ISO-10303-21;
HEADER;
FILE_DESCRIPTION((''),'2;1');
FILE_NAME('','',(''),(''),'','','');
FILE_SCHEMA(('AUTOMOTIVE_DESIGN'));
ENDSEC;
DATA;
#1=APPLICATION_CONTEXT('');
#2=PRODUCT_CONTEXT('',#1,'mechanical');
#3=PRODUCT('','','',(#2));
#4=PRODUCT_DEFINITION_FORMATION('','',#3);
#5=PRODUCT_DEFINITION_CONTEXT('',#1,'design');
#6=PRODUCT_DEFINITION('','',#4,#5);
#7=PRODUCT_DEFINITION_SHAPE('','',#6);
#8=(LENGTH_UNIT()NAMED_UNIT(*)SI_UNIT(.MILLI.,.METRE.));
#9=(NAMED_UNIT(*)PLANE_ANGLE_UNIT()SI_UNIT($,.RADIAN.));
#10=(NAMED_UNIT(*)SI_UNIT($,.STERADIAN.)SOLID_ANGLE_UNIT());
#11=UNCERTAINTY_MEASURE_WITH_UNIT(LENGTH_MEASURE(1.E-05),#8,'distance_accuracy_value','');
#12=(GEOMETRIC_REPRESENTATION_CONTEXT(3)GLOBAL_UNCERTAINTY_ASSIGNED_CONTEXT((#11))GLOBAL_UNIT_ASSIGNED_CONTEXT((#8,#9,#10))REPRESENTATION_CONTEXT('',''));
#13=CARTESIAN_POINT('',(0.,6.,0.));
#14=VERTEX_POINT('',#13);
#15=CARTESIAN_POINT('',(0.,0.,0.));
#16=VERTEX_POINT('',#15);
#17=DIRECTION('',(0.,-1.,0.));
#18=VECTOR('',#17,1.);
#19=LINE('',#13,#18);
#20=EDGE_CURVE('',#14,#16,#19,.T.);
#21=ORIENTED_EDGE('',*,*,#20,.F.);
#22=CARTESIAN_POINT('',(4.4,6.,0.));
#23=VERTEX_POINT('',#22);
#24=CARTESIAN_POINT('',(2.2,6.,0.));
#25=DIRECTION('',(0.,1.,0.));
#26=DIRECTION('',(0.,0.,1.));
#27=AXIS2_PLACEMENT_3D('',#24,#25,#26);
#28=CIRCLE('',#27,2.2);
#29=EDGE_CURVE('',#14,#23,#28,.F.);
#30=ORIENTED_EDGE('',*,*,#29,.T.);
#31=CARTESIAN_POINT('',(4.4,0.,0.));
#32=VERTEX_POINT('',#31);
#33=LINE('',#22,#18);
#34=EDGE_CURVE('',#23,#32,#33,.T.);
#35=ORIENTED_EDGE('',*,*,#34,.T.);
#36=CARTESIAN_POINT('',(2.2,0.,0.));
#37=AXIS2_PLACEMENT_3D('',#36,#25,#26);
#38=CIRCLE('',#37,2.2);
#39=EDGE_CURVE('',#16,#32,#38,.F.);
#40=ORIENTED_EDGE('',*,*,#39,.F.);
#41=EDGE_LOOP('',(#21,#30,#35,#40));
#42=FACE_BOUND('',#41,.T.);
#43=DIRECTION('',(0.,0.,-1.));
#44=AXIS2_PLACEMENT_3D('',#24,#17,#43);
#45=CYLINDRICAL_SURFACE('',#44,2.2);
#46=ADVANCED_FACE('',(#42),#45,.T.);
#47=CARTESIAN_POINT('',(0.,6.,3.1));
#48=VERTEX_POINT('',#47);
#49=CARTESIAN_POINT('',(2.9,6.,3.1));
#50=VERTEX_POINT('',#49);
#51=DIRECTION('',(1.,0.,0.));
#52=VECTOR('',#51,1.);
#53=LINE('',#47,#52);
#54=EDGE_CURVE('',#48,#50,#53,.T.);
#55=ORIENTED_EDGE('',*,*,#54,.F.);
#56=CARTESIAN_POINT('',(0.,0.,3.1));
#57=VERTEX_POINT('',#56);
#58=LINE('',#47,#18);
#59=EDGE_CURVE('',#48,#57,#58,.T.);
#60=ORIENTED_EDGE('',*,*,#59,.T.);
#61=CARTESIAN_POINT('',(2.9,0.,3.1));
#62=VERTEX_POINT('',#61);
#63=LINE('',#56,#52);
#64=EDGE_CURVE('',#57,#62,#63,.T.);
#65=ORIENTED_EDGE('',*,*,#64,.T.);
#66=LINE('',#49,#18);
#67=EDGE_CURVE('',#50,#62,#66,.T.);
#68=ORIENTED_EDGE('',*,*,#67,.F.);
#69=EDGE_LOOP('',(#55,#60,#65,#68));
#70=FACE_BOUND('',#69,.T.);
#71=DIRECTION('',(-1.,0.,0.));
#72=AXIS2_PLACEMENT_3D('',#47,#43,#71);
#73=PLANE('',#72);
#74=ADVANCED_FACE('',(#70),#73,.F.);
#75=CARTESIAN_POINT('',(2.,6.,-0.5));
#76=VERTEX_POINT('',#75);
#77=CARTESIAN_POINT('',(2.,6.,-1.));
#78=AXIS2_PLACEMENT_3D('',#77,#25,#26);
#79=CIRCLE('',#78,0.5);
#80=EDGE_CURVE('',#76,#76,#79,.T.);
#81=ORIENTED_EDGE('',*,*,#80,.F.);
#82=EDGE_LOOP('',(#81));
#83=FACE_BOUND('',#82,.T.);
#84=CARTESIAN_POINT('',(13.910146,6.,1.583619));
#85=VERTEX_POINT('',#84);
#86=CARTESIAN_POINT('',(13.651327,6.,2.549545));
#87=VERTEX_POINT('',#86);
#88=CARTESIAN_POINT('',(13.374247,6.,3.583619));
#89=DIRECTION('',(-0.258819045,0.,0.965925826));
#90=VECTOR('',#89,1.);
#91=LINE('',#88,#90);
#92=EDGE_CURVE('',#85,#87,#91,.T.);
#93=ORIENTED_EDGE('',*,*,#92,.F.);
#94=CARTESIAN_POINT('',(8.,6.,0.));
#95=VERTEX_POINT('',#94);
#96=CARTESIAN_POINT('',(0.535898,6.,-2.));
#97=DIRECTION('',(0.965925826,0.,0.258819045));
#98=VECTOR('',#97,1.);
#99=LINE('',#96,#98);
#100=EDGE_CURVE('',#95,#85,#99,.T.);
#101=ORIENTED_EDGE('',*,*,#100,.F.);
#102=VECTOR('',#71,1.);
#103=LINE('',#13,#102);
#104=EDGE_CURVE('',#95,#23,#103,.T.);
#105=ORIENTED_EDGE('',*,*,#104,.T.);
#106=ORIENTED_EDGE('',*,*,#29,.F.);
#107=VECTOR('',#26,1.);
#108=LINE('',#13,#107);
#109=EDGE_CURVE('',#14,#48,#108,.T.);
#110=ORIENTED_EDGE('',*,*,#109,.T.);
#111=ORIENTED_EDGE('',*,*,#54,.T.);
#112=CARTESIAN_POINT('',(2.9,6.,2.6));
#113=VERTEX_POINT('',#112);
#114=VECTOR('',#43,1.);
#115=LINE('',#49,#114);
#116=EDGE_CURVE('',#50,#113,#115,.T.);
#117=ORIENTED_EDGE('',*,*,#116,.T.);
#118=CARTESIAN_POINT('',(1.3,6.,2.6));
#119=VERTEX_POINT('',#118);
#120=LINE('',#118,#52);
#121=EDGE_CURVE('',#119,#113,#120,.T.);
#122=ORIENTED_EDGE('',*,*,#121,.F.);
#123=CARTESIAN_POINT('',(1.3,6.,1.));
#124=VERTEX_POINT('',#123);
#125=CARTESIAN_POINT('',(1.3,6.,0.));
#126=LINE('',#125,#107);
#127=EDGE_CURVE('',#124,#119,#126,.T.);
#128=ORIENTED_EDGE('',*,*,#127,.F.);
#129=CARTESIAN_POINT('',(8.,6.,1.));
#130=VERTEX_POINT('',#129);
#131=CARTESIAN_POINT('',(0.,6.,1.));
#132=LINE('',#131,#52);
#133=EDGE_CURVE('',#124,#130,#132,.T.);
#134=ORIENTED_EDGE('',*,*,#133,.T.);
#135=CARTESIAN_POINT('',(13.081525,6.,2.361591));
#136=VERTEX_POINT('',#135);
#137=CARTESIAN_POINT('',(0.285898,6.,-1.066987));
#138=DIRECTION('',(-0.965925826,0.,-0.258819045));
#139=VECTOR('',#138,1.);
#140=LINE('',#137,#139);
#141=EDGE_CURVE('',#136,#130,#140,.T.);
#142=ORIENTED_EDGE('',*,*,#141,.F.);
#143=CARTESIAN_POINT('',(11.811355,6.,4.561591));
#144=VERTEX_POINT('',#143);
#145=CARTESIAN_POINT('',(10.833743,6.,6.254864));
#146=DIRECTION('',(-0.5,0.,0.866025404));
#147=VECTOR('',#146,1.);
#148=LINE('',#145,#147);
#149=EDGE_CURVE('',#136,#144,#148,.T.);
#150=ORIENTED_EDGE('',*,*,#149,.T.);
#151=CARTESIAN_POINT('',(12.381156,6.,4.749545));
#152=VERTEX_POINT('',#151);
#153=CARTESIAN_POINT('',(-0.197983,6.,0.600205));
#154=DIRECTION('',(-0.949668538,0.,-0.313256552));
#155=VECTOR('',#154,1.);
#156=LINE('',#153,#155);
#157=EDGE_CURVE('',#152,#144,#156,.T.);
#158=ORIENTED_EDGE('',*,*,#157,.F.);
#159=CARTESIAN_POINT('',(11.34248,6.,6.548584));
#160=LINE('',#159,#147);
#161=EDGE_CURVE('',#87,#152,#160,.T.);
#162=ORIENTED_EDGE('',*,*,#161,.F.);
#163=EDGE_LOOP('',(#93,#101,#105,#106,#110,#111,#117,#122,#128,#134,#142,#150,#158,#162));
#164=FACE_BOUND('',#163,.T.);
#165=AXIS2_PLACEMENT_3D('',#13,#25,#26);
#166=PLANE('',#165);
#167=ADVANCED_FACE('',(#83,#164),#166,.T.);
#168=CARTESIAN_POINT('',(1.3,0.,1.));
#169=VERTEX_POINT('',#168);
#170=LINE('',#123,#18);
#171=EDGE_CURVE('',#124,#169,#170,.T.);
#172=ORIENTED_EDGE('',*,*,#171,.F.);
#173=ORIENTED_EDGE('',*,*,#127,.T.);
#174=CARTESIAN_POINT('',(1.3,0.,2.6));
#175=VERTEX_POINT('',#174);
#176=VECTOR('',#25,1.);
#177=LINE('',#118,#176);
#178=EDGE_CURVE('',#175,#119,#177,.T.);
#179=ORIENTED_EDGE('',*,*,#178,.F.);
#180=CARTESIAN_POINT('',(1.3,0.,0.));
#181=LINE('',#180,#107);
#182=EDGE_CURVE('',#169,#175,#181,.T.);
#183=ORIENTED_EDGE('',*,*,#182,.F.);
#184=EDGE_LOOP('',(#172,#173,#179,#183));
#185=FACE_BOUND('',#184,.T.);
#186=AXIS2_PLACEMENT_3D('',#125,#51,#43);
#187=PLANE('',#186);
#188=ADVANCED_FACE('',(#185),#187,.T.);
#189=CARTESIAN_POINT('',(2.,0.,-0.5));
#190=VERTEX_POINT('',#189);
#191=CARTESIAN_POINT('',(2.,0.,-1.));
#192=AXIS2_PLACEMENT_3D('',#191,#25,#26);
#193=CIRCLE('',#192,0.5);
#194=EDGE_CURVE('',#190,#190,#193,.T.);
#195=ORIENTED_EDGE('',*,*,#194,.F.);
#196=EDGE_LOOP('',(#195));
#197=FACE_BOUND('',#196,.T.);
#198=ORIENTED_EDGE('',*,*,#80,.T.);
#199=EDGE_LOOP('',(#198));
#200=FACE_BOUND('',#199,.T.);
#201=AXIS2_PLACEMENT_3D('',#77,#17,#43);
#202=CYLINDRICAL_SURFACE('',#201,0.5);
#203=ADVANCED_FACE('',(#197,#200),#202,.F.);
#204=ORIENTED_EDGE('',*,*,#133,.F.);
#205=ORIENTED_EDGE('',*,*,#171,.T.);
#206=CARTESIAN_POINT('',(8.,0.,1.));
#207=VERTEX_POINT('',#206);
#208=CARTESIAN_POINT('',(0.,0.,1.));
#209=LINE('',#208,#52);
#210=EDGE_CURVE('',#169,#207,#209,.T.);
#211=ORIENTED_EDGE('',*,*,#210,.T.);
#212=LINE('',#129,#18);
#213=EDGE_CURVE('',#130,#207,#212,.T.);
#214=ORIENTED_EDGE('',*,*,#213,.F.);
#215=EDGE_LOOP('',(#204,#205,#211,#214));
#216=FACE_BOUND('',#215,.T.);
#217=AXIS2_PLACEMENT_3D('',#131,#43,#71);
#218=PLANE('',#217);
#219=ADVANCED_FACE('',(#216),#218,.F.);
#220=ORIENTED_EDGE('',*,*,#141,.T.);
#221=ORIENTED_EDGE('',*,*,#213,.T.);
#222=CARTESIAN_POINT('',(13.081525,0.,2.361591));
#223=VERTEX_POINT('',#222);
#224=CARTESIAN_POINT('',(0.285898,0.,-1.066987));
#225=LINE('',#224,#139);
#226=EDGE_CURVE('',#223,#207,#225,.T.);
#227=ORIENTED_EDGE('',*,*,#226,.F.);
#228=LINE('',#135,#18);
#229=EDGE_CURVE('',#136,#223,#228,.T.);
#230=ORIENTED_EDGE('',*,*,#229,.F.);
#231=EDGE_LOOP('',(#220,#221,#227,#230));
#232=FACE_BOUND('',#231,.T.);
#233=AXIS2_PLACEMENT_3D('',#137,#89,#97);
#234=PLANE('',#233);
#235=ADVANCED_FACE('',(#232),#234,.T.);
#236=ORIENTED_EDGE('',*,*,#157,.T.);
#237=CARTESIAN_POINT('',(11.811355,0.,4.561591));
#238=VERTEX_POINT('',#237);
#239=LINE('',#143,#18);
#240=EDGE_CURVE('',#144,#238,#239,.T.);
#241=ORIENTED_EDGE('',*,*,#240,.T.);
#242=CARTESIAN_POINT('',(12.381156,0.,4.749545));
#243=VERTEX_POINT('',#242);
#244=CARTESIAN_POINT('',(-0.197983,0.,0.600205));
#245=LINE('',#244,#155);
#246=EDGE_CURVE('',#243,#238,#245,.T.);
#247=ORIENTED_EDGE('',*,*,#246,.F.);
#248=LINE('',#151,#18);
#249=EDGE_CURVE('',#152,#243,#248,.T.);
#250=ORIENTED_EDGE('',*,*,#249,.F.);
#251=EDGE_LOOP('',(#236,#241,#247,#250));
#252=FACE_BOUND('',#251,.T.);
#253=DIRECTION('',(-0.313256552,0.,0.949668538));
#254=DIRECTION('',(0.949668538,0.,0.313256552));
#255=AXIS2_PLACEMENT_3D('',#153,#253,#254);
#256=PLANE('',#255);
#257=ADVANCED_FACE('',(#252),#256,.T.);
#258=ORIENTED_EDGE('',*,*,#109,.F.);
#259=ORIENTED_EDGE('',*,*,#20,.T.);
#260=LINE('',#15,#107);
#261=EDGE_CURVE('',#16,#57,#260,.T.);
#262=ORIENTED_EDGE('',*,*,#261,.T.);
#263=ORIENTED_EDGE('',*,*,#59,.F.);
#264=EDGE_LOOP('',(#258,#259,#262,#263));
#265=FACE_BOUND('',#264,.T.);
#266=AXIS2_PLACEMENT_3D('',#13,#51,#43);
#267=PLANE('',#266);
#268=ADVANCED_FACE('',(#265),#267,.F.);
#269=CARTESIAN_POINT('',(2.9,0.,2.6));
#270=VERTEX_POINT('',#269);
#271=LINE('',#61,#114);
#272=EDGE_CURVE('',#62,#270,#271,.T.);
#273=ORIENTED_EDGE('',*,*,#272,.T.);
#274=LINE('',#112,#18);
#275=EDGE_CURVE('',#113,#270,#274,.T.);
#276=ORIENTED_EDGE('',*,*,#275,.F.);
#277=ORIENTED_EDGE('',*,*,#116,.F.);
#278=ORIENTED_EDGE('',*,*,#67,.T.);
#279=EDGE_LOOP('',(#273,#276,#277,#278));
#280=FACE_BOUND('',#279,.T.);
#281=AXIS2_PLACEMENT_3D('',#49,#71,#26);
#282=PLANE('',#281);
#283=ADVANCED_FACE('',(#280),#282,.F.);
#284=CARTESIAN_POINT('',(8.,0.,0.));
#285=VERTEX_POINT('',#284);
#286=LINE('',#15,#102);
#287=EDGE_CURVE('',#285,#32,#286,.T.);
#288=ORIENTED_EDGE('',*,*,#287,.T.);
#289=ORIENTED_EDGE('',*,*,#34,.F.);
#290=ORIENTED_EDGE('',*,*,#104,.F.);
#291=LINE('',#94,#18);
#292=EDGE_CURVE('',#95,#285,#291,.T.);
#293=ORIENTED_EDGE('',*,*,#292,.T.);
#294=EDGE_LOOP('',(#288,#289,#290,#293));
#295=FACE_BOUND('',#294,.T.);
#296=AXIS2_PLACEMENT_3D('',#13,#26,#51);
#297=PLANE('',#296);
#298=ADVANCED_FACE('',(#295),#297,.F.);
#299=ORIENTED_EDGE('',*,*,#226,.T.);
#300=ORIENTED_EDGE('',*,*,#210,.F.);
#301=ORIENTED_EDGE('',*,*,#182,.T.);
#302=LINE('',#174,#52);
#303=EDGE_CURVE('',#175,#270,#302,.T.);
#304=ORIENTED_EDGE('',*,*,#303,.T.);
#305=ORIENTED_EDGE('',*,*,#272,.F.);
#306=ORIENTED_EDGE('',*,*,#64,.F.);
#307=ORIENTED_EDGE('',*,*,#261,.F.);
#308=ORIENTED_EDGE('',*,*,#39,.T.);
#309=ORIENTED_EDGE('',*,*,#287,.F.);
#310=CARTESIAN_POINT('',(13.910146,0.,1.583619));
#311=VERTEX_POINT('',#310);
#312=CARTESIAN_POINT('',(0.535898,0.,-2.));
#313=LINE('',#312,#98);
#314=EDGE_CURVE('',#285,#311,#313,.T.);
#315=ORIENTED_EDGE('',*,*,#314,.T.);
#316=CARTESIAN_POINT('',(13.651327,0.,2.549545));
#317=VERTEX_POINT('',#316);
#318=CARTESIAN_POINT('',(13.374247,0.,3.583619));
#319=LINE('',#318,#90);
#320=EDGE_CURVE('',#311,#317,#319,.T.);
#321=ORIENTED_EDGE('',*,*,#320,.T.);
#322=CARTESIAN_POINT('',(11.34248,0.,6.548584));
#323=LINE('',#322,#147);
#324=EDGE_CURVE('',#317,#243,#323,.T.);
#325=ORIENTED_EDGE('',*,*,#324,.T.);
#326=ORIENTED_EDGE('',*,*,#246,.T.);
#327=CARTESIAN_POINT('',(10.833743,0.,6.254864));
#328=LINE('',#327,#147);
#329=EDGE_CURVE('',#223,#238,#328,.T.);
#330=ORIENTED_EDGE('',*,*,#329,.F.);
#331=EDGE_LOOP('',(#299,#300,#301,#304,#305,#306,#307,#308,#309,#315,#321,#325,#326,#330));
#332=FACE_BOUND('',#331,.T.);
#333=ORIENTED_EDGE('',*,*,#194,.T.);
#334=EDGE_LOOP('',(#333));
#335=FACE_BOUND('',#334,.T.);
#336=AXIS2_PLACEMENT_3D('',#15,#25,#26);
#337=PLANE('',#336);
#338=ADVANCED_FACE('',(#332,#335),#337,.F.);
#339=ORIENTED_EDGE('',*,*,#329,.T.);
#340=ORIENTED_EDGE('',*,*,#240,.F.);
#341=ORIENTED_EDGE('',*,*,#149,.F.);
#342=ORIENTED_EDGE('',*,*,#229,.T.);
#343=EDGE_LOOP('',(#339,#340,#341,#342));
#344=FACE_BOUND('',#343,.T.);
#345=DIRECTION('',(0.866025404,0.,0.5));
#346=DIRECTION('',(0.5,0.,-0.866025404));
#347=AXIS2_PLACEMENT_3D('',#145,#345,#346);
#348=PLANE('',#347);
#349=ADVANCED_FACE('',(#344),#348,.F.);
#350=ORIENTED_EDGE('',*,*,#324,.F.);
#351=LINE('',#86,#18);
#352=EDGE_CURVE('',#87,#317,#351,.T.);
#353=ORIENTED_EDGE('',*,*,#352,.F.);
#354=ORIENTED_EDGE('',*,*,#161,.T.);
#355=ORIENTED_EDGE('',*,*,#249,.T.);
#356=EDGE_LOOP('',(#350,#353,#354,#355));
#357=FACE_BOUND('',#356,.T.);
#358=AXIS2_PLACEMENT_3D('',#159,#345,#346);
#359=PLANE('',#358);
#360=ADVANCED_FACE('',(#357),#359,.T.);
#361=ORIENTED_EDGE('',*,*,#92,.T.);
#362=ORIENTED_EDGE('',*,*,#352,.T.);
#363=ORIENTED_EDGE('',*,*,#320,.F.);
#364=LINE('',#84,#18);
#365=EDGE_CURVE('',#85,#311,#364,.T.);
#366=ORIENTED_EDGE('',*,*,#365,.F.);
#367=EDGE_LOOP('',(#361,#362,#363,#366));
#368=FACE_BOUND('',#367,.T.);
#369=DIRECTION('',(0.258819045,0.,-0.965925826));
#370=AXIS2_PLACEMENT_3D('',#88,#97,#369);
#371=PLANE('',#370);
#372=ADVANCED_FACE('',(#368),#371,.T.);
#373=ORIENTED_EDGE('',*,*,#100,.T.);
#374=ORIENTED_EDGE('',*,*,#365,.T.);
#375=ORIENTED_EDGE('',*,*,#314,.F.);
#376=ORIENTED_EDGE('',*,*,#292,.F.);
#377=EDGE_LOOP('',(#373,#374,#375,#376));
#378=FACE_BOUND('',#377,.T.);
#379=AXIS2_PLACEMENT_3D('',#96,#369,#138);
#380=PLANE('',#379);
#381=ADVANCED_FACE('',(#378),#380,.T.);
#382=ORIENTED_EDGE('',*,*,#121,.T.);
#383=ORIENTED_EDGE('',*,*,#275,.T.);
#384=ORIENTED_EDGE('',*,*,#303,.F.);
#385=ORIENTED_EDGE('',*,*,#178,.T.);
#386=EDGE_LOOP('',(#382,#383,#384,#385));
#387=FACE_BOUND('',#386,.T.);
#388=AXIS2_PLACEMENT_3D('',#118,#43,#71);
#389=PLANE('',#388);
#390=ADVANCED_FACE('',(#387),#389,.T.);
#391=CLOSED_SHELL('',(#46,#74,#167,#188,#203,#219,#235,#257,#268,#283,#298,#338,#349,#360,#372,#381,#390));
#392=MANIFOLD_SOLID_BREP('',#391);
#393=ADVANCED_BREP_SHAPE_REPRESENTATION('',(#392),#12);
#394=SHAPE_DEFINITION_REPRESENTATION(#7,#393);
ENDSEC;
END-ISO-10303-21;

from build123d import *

# Parameters (mm, degrees)
SKETCH1_R           = 0.5
SKETCH1_W           = 1.6
SKETCH1_H           = 0.5
BOSS_EXTRUDE1_DEPTH = 6


with BuildPart() as part:
    # Sketch1 → Boss-Extrude1 (new body)
    with BuildSketch(Plane(origin=(0, 0, 0), x_dir=(1, 0, 0), z_dir=(0, 1, 0))):
        Polygon((4.4, 0), (0, 0), (0, -1), (1.3, -1), (8, -1), (13.081525469, -2.361590646), (13.651326592, -2.549544577), (13.910145637, -1.583618751), (8, 0), align=None)
        Polygon((1.3, -1), (0, -1), (0, -3.1), (1.3, -3.1), (1.3, -2.6), align=None)
        Polygon((12.381156, -4.749544577), (13.651326592, -2.549544577), (13.081525469, -2.361590646), (11.811354877, -4.561590646), align=None)
        with BuildLine():
            ThreePointArc((4.4, 0), (2.2, 2.2), (0, 0))
            Line((0, 0), (4.4, 0))
        make_face()
        with Locations((2, 1)):
            Circle(SKETCH1_R, mode=Mode.SUBTRACT)
        with Locations((2.1, -2.85)):
            Rectangle(SKETCH1_W, SKETCH1_H)
    extrude(amount=BOSS_EXTRUDE1_DEPTH)


solid = part.part
